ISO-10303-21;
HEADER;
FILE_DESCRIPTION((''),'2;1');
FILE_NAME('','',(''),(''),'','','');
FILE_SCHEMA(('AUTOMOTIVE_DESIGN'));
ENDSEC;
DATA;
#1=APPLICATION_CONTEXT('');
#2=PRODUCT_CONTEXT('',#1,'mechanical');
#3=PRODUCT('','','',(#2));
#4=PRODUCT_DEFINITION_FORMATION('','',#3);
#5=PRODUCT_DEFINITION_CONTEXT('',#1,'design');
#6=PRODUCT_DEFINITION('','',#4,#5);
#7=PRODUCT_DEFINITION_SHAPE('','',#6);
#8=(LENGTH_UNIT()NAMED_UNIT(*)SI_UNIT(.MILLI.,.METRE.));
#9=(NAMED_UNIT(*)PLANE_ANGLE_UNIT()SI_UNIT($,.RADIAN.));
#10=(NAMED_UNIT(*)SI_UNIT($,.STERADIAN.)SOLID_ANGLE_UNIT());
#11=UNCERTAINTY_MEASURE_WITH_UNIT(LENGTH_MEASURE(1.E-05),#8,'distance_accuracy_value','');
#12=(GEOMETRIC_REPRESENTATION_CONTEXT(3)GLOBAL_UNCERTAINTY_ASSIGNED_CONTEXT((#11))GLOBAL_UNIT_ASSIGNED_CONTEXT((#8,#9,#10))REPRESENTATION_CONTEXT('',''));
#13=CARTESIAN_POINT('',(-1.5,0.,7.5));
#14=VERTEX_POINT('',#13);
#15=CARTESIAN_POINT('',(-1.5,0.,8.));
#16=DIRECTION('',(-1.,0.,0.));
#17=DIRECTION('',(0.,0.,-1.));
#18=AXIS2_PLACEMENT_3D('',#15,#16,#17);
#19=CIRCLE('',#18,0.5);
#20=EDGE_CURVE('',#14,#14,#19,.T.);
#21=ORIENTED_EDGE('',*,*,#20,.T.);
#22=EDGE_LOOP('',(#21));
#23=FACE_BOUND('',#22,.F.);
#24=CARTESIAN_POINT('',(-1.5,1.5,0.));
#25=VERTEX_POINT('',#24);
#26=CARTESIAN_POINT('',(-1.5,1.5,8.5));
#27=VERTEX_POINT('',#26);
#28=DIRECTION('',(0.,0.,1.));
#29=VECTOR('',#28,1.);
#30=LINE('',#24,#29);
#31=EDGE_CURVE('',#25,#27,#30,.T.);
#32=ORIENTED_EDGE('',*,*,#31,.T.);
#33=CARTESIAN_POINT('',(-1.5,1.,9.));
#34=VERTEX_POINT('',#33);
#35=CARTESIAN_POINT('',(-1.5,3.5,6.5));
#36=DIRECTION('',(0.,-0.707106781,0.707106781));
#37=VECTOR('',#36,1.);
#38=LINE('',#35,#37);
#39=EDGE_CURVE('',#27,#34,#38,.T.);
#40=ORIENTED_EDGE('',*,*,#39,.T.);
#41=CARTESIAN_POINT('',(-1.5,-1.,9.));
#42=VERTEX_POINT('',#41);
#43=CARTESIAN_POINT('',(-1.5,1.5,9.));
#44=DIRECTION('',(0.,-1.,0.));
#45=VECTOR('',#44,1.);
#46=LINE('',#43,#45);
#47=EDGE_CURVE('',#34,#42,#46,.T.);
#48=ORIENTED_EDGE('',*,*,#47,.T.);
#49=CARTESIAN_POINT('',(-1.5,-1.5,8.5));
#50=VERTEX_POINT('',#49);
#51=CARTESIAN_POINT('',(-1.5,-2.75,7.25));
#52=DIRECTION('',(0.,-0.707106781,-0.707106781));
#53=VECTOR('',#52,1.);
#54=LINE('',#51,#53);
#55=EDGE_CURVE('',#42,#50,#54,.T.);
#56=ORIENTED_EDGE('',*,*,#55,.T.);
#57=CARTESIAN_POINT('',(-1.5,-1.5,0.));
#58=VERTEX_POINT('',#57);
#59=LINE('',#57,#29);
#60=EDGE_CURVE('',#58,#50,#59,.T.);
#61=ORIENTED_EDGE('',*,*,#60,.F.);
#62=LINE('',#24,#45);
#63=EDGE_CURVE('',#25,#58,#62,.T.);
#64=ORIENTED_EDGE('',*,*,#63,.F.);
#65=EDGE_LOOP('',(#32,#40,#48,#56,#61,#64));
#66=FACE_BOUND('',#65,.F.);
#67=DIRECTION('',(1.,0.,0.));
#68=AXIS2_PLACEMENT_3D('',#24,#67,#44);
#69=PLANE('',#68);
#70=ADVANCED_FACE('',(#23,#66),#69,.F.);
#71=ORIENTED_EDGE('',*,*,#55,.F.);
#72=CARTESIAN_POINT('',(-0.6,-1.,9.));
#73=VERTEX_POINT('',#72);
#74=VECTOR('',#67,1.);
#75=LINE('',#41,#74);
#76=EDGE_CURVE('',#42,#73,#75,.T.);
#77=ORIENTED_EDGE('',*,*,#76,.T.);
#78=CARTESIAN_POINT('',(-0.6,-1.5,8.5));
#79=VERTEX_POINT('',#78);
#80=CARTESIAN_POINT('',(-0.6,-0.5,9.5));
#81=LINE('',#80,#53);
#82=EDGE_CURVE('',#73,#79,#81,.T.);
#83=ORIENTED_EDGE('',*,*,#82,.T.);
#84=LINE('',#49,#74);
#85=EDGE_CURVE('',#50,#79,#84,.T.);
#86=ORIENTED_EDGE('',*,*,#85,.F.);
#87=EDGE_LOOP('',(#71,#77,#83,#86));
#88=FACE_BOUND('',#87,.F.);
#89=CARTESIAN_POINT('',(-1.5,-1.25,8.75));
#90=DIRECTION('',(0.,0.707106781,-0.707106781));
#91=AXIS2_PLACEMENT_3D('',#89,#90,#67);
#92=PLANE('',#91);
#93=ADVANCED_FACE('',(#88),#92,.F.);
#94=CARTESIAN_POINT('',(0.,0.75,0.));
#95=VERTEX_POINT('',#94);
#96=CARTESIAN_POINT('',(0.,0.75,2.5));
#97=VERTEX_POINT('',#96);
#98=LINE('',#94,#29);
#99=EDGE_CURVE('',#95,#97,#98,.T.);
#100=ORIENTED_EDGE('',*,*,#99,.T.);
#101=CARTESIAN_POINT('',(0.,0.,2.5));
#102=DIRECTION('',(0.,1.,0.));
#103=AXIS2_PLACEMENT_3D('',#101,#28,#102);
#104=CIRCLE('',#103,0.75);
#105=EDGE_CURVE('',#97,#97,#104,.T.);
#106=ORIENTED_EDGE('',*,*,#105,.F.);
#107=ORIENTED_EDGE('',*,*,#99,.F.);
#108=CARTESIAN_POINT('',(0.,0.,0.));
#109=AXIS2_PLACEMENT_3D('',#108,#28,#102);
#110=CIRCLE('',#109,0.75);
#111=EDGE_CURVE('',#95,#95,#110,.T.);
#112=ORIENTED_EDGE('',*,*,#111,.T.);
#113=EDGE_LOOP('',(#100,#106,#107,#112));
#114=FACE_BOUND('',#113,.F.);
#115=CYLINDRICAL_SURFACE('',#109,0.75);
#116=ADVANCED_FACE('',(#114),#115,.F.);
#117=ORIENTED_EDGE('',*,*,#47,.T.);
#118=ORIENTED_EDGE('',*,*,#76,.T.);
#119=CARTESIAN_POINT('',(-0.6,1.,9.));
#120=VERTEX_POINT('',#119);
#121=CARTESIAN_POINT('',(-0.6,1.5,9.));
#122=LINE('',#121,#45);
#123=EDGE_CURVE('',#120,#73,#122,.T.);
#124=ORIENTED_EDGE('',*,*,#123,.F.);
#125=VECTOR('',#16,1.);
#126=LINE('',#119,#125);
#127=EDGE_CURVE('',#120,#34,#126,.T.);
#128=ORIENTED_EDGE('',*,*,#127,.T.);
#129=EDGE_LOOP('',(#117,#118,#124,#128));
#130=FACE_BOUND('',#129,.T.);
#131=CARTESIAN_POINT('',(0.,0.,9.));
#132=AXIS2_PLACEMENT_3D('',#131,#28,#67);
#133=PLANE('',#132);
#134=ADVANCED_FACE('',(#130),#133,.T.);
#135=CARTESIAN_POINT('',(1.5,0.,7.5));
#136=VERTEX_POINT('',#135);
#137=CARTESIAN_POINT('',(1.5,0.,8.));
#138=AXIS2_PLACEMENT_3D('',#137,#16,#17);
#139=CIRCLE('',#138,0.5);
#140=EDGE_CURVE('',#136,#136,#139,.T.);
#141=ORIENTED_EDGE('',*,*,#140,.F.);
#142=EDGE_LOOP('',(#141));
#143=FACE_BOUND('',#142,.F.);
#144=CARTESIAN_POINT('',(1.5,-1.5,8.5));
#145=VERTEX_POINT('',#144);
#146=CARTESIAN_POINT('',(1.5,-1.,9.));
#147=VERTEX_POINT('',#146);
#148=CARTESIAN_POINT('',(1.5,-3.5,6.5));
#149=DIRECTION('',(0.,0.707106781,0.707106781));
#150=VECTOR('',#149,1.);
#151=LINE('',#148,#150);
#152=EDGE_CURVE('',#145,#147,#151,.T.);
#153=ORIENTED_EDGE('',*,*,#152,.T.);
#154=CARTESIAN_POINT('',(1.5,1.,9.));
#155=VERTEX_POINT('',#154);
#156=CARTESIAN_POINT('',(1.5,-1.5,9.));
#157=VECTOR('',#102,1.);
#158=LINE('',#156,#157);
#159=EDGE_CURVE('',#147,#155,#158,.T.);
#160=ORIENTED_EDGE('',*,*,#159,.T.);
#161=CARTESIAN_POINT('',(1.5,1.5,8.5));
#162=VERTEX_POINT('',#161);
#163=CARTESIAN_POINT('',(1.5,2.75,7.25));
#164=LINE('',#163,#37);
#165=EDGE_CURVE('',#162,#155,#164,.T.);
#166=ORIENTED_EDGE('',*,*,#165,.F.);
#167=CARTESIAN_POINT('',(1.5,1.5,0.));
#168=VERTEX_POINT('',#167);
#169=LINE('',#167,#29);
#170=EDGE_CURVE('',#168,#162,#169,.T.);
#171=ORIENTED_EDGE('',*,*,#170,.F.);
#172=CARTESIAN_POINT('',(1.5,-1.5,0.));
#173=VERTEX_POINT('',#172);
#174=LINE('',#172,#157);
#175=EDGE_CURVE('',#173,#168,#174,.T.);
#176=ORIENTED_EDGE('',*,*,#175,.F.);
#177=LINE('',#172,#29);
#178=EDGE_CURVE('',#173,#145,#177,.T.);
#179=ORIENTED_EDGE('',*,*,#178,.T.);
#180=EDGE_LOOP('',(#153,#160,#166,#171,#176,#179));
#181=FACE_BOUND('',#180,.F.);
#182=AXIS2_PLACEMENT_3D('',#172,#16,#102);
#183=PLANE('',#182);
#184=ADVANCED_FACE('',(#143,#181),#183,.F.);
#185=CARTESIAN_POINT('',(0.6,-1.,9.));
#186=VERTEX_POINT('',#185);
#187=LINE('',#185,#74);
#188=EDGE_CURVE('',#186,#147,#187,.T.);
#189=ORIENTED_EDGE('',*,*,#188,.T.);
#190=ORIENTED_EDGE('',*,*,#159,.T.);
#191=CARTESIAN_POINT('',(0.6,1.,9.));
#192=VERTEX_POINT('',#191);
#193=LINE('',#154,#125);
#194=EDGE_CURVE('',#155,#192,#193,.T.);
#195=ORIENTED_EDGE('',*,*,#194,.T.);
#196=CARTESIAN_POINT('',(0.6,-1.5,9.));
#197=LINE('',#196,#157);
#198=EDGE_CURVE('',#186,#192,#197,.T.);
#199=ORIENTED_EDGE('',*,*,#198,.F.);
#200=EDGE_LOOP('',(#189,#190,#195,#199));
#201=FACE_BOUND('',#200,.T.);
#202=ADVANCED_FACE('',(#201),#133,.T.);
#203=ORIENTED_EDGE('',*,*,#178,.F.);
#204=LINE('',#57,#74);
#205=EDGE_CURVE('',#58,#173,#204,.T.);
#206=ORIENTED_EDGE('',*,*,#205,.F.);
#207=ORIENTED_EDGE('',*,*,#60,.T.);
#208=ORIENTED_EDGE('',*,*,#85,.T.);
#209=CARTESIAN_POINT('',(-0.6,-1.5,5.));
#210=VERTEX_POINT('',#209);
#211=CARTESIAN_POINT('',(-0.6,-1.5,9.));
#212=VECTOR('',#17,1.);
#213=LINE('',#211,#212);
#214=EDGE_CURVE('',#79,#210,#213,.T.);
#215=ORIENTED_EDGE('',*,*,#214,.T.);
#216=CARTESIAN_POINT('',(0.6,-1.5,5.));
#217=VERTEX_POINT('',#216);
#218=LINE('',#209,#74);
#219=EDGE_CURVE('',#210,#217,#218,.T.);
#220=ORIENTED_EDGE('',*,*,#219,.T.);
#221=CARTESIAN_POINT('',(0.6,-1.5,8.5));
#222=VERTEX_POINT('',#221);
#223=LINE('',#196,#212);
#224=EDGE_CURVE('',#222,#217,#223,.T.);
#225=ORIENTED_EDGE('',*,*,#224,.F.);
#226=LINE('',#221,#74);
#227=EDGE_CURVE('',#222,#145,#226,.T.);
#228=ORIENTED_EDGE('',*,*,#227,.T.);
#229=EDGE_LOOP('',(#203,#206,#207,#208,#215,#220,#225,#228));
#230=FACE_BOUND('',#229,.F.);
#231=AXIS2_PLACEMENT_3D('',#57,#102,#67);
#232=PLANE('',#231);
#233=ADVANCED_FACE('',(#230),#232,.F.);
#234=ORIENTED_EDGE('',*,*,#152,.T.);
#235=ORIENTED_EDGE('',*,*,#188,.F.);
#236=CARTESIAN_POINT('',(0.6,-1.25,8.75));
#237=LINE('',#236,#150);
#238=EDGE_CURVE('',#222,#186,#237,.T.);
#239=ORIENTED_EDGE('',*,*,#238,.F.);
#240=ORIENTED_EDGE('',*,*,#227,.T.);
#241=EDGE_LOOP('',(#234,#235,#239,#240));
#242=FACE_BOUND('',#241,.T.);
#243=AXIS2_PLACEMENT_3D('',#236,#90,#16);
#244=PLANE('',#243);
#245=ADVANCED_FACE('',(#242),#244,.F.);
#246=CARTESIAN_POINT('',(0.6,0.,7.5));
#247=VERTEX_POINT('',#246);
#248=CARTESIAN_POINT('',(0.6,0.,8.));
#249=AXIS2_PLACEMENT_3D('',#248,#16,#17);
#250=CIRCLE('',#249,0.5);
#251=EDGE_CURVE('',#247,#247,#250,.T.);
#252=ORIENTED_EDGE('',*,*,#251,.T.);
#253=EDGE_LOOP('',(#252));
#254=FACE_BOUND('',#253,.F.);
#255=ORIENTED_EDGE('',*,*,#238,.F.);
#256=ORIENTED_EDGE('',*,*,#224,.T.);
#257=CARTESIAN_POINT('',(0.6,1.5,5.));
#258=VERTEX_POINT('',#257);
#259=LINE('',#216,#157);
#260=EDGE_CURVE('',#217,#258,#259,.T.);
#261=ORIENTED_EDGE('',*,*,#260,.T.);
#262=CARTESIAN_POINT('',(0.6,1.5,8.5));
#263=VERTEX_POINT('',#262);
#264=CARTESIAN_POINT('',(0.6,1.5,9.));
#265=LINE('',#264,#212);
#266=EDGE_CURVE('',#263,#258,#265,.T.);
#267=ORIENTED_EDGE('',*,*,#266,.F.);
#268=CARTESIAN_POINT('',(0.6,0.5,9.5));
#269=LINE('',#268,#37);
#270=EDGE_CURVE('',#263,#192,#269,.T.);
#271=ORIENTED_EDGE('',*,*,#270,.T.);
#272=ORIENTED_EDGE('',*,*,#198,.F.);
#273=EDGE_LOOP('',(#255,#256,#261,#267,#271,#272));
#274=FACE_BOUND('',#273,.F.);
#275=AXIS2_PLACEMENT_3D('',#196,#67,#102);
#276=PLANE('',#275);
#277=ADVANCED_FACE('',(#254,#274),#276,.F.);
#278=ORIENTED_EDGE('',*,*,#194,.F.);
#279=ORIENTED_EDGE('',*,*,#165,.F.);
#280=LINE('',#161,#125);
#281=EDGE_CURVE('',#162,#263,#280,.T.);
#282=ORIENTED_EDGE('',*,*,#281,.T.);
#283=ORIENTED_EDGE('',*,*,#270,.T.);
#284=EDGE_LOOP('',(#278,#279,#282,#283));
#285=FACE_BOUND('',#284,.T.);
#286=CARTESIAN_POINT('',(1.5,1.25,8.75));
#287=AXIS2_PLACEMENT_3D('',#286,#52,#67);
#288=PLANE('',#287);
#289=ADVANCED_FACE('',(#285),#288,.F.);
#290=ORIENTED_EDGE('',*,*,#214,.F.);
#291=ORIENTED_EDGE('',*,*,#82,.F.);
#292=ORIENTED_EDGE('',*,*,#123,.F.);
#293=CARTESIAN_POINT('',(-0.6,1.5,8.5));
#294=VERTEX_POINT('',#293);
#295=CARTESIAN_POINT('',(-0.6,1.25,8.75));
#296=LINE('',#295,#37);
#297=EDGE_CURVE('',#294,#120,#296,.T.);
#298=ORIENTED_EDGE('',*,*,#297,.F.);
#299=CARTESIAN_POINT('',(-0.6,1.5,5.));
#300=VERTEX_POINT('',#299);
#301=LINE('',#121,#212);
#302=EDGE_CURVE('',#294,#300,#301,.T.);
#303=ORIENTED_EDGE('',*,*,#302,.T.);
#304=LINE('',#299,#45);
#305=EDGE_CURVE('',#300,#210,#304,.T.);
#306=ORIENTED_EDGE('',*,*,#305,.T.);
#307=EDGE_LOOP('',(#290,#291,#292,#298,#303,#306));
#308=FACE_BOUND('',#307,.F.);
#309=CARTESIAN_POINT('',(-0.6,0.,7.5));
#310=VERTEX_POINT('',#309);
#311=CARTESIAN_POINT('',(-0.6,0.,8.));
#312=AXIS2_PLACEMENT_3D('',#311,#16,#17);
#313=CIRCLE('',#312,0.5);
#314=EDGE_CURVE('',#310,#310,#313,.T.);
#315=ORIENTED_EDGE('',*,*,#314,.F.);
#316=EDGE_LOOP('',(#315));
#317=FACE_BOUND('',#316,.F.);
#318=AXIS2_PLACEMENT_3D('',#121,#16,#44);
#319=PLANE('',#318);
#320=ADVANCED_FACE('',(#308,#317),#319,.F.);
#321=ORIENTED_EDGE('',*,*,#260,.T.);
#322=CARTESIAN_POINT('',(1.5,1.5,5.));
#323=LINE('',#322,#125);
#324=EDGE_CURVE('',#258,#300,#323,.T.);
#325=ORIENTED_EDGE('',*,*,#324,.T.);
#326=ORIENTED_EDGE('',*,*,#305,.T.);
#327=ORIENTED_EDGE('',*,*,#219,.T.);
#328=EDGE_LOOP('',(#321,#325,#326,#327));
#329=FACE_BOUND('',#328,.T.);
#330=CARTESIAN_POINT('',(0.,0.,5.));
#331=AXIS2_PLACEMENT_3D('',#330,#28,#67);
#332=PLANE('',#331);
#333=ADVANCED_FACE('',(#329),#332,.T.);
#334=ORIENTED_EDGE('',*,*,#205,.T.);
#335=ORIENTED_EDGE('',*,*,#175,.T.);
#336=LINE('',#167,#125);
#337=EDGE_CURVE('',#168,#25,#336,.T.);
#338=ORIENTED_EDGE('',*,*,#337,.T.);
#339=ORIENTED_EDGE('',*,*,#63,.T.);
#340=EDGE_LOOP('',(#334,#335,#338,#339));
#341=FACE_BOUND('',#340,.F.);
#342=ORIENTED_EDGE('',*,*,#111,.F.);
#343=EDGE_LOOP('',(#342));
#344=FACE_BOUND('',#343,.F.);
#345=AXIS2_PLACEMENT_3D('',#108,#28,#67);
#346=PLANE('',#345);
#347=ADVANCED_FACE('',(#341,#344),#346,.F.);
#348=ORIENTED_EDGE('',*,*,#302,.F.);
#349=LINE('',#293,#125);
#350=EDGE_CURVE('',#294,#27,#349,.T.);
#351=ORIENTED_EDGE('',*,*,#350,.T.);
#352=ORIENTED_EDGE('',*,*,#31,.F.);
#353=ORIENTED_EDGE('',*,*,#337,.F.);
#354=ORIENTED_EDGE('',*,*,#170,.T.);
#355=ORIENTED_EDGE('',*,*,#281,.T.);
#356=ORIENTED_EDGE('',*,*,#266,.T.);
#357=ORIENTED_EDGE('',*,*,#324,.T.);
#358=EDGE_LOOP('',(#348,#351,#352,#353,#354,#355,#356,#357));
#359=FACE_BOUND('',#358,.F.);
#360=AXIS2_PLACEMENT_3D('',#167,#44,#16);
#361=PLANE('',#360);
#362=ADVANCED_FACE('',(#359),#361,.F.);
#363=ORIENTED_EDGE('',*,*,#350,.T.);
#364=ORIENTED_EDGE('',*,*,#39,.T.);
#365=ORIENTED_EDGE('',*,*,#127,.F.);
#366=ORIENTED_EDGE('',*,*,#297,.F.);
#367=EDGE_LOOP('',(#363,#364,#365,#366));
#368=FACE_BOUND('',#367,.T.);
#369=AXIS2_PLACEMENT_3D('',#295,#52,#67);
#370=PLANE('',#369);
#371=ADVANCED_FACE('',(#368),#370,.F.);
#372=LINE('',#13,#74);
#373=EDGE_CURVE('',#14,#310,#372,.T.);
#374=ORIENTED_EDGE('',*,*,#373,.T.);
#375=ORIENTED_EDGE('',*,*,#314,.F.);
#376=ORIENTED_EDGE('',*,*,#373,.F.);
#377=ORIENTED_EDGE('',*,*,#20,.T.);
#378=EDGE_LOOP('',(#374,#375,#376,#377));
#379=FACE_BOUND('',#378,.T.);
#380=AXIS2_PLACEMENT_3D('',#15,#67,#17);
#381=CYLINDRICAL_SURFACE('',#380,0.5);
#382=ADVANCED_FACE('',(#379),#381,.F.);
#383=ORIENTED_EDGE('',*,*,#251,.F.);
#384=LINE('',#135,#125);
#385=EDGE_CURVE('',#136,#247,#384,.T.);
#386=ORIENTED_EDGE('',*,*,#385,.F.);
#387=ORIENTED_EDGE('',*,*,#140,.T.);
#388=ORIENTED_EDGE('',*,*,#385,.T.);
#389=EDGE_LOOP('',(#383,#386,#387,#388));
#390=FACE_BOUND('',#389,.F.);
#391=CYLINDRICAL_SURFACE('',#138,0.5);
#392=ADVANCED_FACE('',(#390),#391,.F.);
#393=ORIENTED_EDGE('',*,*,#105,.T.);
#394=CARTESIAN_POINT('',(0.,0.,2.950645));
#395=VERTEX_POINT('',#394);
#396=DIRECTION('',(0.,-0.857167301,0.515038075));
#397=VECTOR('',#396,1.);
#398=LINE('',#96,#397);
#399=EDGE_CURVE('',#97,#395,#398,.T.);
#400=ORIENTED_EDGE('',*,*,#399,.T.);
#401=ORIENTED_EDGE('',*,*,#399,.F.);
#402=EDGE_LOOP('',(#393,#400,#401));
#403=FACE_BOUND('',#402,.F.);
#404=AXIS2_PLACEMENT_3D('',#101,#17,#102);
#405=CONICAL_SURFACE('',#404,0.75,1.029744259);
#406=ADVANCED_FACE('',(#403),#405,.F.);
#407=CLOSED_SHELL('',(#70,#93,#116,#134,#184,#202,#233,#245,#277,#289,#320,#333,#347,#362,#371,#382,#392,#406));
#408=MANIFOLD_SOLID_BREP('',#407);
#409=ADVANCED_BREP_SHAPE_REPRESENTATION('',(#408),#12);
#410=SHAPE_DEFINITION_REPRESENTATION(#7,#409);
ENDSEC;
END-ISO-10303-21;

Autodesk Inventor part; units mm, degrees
ref_plane "YZ Plane" through (0, 0, 0) normal (1, 0, 0) x (0, 1, 0)
ref_plane "XZ Plane" through (0, 0, 0) normal (0, 1, 0) x (-1, 0, 0)
ref_plane "XY Plane" through (0, 0, 0) normal (0, 0, 1) x (1, 0, 0)
sketch "Skizze1" plane through (0, 0, 0) normal (0, 0, 1) x (1, 0, 0)
  line L0 (-1.5, -1.5) -> (1.5, -1.5)
  line L1 (1.5, -1.5) -> (1.5, 1.5)
  line L2 (1.5, 1.5) -> (-1.5, 1.5)
  line L3 (-1.5, 1.5) -> (-1.5, -1.5)
  line L4 (-1.5, -1.5) -> (1.5, 1.5) construction
  line L5 (1.5, -1.5) -> (-1.5, 1.5) construction
  point P0 (0, 0)
  dimension "d0" = 3
  dimension "d1" = 3
extrude "Extrusion1" add sketch "Skizze1" along normal blind 9
sketch "Skizze2" plane through (0, 0, 9) normal (0, 0, 1) x (1, 0, 0)
  line L0 (0, 0) -> (0, 3.7062) construction
  line L1 (1.5, 1.5) -> (-1.5, 1.5) projected
  line L2 (-0.6, -1.5) -> (0.6, -1.5)
  line L3 (0.6, -1.5) -> (0.6, 1.5)
  line L4 (0.6, 1.5) -> (-0.6, 1.5)
  line L5 (-0.6, 1.5) -> (-0.6, -1.5)
  line L6 (-1.5, -1.5) -> (1.5, -1.5) projected
  dimension "d4" = 1.2
extrude "Extrusion2" cut sketch "Skizze2" against normal blind 4
sketch "Skizze3" plane through (1.5, -1.5, 0) normal (1, 0, 0) x (0, 0, -1)
  line L0 (-9, 0) -> (-9, 3) projected
  line L1 (0, 0) -> (0, 3) projected
  point P0 (0, 1.5)
  point P1 (-8, 1.5)
  point P2 (-9, 1.5)
  dimension "d14" = 8
hole "Bohrung1" at (1.5, 0, 8) direction (-1, 0, 0) diameter 1 depth 0.9
mirror "Spiegeln1" about plane through (0, 0, 0) normal (1, 0, 0) of "Bohrung1"
sketch "Skizze4" plane through (0, 0, 0) normal (0, 0, -1) x (-1, 0, 0)
  line L0 (-1.5, -1.5) -> (-1.5, 1.5) projected
  line L1 (1.5, -1.5) -> (-1.5, -1.5) projected
  point P0 (0, 0)
  point P1 (0, 0)
  point P2 (-1.5, 0)
  point P3 (0, -1.5)
hole "Bohrung2" at (0, 0, 0) direction (0, 0, 1) diameter 1.5 depth 2.5 tip angle 118
chamfer "Fasen1" distance 0.5 angle 45 4 edges at (1.05, -1.5, 9) (1.05, 1.5, 9) (-1.05, 1.5, 9) (-1.05, -1.5, 9)
properties part number "kopf"
